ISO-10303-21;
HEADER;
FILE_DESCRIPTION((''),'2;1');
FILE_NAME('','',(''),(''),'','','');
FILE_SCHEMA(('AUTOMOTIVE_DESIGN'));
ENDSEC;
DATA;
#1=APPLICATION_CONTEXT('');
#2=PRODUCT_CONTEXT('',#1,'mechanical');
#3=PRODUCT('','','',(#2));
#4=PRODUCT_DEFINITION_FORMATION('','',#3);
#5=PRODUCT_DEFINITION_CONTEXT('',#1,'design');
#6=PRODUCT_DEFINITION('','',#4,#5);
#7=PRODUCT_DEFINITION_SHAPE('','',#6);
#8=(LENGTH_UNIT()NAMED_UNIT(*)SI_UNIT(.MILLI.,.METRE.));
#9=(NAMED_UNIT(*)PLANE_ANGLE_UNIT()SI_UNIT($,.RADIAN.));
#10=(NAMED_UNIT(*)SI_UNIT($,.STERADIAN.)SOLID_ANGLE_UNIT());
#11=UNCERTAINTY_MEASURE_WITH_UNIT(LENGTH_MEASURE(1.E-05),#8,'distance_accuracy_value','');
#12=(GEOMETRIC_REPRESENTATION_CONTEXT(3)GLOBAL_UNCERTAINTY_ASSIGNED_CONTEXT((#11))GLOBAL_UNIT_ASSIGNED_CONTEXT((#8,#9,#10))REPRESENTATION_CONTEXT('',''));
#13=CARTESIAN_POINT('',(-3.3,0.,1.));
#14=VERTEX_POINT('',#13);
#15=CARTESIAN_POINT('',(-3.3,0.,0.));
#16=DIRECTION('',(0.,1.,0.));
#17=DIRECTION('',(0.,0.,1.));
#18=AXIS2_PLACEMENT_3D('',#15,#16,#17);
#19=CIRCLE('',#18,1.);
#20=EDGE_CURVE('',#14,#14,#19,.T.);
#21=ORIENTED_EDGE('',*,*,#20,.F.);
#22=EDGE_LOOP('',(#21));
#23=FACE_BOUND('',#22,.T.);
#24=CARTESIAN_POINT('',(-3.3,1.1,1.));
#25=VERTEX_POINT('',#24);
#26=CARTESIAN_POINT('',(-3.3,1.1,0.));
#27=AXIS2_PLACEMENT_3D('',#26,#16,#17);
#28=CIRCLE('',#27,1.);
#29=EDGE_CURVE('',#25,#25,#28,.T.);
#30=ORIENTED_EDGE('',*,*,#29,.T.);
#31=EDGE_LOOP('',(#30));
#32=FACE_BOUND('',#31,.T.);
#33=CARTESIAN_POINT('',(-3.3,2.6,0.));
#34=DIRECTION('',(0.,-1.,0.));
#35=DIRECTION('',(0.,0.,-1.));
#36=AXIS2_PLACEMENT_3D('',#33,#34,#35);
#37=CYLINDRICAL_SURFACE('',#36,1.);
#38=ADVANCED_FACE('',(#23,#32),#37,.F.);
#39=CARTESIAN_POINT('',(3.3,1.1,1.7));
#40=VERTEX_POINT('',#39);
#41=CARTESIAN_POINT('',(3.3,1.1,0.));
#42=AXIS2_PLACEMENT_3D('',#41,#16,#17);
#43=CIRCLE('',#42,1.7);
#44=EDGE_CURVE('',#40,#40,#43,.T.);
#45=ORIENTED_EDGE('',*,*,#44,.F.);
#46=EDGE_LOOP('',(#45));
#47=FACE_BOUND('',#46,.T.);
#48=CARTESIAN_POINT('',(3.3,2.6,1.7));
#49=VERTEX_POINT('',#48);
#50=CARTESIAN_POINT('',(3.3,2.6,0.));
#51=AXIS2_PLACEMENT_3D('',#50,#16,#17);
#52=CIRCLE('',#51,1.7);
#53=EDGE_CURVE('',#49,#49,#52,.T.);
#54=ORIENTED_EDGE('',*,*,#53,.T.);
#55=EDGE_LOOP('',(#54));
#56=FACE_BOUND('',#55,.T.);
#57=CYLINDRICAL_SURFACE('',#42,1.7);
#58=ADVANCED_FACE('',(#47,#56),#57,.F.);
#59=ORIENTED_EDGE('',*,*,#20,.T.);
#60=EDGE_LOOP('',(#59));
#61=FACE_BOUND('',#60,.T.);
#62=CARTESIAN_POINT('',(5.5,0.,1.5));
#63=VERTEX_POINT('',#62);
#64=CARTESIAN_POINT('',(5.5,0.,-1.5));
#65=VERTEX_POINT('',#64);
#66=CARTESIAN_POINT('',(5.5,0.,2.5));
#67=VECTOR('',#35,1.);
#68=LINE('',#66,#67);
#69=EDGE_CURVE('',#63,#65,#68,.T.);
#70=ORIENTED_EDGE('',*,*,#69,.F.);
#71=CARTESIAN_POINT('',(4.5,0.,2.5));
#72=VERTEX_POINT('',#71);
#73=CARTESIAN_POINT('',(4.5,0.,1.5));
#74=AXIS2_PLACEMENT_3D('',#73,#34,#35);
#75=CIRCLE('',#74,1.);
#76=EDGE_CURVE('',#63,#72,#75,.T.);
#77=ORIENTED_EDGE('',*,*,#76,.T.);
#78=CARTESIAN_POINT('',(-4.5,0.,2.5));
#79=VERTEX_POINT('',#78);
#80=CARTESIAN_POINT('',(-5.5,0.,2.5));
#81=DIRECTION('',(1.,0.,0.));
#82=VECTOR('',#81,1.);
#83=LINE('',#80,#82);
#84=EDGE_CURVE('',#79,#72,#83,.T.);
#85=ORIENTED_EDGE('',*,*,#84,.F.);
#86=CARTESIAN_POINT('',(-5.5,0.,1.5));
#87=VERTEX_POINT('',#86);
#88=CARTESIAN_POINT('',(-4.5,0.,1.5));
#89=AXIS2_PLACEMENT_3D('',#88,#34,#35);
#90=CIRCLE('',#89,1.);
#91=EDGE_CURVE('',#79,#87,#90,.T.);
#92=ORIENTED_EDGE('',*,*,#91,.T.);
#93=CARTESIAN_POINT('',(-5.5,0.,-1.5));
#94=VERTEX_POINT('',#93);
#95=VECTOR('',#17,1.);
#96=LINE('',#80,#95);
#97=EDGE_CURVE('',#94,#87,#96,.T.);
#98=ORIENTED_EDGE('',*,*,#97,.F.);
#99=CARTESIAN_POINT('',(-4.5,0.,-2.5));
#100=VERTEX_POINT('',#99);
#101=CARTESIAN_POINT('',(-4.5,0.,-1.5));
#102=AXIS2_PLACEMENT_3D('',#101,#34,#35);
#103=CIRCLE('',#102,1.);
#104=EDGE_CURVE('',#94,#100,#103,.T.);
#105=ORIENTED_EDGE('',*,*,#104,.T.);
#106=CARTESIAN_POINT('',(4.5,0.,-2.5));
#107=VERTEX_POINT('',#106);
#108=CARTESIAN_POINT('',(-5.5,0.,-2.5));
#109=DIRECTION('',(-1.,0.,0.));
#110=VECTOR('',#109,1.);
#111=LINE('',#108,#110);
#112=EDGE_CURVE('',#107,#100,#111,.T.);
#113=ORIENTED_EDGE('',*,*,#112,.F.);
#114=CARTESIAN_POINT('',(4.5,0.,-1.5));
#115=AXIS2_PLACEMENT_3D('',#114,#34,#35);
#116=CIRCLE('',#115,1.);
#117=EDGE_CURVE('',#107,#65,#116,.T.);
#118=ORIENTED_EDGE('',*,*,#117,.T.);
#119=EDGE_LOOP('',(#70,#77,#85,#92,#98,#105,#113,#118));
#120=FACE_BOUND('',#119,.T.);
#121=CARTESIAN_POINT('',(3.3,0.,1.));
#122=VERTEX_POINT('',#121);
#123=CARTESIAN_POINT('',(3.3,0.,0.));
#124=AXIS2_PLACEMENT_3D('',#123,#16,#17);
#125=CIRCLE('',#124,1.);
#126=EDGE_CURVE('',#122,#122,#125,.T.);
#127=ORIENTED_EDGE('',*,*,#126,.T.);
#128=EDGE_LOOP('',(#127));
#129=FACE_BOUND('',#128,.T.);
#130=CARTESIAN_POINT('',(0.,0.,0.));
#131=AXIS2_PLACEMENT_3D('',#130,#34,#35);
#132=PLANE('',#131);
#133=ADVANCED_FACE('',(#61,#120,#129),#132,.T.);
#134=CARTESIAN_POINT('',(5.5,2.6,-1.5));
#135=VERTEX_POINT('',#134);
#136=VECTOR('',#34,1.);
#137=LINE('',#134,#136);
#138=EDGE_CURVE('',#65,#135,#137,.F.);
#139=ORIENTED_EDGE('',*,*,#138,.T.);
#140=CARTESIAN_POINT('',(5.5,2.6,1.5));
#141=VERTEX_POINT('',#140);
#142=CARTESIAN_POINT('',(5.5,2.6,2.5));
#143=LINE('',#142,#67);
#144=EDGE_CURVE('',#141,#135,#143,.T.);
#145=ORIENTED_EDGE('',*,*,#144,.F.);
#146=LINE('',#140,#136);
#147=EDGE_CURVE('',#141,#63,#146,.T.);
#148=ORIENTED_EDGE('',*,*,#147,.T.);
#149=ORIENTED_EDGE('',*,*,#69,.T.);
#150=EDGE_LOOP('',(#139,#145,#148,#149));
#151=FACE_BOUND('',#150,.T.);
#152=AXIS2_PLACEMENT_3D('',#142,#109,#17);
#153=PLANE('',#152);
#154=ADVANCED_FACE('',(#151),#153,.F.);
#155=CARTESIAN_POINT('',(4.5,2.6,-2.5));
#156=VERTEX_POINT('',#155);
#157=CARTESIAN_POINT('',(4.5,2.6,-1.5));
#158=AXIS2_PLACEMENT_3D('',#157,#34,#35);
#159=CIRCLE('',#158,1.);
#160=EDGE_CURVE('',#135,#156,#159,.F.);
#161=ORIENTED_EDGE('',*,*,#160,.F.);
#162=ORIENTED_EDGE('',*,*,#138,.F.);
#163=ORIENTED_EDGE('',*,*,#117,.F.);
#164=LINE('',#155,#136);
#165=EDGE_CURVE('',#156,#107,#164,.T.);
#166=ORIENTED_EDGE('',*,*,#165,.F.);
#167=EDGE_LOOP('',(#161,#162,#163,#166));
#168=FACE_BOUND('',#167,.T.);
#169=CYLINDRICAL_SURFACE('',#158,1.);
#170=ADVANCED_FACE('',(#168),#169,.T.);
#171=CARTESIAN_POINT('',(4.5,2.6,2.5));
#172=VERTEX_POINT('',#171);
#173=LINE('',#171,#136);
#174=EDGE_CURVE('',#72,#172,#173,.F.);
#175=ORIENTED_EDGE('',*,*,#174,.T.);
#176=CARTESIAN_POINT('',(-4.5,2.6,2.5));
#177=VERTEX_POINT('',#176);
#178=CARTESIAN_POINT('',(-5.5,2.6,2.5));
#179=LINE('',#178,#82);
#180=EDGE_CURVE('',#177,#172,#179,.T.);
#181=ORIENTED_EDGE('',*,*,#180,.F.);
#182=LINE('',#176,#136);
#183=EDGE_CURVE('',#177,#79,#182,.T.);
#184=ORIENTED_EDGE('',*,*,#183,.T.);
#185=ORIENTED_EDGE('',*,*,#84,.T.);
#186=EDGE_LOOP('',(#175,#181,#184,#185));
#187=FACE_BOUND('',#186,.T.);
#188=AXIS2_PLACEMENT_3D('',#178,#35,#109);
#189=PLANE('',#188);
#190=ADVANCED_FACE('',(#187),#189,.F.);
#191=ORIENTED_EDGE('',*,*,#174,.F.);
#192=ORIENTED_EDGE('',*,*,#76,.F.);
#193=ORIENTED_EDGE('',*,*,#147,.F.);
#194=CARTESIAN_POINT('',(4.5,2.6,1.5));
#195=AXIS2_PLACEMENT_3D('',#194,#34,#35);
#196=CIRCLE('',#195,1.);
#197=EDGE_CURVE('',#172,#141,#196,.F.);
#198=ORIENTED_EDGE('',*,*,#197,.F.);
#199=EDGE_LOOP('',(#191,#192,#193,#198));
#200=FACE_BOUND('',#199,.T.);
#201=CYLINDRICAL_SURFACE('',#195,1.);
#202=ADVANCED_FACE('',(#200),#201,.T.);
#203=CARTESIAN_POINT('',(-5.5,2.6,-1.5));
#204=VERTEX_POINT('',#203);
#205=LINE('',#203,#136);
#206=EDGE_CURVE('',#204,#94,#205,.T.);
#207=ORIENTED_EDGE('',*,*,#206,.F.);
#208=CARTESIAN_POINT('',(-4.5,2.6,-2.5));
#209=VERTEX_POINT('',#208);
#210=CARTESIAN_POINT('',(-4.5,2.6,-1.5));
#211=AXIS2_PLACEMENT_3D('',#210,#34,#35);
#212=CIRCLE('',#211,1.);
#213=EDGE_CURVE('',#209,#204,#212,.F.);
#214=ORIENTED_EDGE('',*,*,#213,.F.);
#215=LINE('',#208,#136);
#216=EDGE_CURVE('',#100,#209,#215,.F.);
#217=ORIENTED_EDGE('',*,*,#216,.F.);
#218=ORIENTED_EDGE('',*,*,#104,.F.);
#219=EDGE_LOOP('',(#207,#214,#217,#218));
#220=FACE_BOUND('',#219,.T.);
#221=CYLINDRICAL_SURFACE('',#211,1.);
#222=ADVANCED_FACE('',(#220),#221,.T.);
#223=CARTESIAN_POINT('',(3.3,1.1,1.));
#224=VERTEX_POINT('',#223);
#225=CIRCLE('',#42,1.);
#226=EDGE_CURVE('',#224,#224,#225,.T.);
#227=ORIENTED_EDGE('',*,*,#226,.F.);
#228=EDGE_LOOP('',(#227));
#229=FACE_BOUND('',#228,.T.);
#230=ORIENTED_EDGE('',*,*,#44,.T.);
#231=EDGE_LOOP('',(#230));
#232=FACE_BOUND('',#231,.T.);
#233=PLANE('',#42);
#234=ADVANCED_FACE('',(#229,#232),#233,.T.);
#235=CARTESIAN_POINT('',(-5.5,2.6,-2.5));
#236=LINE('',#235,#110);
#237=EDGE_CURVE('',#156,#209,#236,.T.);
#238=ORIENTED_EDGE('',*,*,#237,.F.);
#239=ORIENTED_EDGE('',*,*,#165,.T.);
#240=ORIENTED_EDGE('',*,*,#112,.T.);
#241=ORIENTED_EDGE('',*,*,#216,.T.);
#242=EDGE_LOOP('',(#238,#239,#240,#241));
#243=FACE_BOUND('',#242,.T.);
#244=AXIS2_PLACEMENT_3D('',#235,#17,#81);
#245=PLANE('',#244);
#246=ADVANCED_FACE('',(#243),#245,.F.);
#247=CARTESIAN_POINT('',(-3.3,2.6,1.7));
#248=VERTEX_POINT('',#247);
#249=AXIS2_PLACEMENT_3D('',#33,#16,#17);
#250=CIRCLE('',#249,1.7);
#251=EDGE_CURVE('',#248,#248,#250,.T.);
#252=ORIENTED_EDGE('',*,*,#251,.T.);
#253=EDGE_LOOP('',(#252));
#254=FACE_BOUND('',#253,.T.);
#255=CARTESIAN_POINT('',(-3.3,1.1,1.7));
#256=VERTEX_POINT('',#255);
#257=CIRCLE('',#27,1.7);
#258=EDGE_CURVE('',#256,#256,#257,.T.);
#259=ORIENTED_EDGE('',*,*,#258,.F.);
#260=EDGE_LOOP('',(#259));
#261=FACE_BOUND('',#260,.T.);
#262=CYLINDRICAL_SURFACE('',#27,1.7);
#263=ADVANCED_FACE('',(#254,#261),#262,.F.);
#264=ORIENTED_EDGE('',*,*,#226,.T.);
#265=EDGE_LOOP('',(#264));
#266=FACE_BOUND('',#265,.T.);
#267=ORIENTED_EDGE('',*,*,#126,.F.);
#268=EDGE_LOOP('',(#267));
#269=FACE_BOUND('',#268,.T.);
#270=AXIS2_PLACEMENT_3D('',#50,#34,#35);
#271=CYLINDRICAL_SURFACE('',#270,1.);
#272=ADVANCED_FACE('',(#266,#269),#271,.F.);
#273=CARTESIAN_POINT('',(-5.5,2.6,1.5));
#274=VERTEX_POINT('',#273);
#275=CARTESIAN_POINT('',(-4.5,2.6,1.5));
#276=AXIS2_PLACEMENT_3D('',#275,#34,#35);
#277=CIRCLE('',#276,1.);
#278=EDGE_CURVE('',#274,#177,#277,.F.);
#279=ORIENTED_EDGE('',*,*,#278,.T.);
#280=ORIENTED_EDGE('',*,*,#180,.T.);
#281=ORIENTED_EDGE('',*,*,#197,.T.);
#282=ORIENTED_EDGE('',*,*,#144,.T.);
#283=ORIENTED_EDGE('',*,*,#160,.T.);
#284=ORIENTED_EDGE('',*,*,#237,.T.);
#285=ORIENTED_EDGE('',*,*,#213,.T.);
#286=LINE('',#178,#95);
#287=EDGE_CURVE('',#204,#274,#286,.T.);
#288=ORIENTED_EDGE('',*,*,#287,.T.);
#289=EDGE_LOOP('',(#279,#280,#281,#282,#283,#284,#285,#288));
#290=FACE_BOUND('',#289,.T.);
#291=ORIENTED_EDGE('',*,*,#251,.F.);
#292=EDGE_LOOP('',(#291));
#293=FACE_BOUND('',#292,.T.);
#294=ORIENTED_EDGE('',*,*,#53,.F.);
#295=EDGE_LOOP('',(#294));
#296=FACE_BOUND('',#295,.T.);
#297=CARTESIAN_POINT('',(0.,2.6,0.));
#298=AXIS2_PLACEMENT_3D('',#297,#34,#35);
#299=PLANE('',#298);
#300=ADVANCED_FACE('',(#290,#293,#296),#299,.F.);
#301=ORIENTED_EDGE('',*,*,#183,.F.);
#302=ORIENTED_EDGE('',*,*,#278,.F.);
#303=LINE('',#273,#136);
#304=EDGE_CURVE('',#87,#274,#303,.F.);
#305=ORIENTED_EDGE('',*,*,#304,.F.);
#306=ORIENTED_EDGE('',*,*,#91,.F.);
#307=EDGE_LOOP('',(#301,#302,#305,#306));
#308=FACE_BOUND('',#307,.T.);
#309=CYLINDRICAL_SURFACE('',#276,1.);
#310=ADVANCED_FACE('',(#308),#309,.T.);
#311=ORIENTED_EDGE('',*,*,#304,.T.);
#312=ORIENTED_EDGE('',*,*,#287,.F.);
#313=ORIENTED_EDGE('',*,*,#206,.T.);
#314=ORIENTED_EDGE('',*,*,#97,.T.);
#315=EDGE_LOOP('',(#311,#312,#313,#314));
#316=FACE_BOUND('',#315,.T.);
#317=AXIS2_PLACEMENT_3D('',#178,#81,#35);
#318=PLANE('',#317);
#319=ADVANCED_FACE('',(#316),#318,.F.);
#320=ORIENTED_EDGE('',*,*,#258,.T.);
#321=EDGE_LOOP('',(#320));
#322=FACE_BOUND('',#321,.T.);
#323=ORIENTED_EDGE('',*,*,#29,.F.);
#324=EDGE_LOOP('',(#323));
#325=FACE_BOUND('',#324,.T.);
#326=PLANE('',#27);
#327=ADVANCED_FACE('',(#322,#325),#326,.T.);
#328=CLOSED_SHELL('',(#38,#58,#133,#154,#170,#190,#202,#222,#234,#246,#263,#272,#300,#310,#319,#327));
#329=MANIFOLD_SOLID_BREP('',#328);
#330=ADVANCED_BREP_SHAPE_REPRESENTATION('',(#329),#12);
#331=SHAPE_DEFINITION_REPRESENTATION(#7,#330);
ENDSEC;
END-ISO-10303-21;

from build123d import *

# Parameters (mm, degrees)
SKETCH1_W           = 11
SKETCH1_H           = 5
SKETCH1_R           = 1
BOSS_EXTRUDE1_DEPTH = 2.6
SKETCH2_R           = 1.7
CUT_EXTRUDE1_DEPTH  = 1.5
FILLET1_R           = 1


with BuildPart() as part:
    # Sketch1 → Boss-Extrude1 (new body)
    with BuildSketch(Plane(origin=(0, 0, 0), x_dir=(1, 0, 0), z_dir=(0, 1, 0))):
        Rectangle(SKETCH1_W, SKETCH1_H)
        with Locations((-3.3, 0)):
            Circle(SKETCH1_R, mode=Mode.SUBTRACT)
        with Locations((3.3, 0)):
            Circle(SKETCH1_R, mode=Mode.SUBTRACT)
    extrude(amount=BOSS_EXTRUDE1_DEPTH)

    # Sketch2 → Cut-Extrude1 (cut)
    with BuildSketch(Plane(origin=(0, 2.6, 0), x_dir=(1, 0, 0), z_dir=(0, 1, 0))):
        with Locations((-3.3, 0)):
            Circle(SKETCH2_R)
        with Locations((3.3, 0)):
            Circle(SKETCH2_R)
    extrude(amount=-CUT_EXTRUDE1_DEPTH, mode=Mode.SUBTRACT)

    # Fillet1
    fillet1_edges = [part.edges().sort_by_distance(p)[0] for p in [
        (5.5, 1.3, 2.5),
        (-5.5, 1.3, 2.5),
        (-5.5, 1.3, -2.5),
        (5.5, 1.3, -2.5),
    ]]
    fillet(fillet1_edges, radius=FILLET1_R)


solid = part.part
